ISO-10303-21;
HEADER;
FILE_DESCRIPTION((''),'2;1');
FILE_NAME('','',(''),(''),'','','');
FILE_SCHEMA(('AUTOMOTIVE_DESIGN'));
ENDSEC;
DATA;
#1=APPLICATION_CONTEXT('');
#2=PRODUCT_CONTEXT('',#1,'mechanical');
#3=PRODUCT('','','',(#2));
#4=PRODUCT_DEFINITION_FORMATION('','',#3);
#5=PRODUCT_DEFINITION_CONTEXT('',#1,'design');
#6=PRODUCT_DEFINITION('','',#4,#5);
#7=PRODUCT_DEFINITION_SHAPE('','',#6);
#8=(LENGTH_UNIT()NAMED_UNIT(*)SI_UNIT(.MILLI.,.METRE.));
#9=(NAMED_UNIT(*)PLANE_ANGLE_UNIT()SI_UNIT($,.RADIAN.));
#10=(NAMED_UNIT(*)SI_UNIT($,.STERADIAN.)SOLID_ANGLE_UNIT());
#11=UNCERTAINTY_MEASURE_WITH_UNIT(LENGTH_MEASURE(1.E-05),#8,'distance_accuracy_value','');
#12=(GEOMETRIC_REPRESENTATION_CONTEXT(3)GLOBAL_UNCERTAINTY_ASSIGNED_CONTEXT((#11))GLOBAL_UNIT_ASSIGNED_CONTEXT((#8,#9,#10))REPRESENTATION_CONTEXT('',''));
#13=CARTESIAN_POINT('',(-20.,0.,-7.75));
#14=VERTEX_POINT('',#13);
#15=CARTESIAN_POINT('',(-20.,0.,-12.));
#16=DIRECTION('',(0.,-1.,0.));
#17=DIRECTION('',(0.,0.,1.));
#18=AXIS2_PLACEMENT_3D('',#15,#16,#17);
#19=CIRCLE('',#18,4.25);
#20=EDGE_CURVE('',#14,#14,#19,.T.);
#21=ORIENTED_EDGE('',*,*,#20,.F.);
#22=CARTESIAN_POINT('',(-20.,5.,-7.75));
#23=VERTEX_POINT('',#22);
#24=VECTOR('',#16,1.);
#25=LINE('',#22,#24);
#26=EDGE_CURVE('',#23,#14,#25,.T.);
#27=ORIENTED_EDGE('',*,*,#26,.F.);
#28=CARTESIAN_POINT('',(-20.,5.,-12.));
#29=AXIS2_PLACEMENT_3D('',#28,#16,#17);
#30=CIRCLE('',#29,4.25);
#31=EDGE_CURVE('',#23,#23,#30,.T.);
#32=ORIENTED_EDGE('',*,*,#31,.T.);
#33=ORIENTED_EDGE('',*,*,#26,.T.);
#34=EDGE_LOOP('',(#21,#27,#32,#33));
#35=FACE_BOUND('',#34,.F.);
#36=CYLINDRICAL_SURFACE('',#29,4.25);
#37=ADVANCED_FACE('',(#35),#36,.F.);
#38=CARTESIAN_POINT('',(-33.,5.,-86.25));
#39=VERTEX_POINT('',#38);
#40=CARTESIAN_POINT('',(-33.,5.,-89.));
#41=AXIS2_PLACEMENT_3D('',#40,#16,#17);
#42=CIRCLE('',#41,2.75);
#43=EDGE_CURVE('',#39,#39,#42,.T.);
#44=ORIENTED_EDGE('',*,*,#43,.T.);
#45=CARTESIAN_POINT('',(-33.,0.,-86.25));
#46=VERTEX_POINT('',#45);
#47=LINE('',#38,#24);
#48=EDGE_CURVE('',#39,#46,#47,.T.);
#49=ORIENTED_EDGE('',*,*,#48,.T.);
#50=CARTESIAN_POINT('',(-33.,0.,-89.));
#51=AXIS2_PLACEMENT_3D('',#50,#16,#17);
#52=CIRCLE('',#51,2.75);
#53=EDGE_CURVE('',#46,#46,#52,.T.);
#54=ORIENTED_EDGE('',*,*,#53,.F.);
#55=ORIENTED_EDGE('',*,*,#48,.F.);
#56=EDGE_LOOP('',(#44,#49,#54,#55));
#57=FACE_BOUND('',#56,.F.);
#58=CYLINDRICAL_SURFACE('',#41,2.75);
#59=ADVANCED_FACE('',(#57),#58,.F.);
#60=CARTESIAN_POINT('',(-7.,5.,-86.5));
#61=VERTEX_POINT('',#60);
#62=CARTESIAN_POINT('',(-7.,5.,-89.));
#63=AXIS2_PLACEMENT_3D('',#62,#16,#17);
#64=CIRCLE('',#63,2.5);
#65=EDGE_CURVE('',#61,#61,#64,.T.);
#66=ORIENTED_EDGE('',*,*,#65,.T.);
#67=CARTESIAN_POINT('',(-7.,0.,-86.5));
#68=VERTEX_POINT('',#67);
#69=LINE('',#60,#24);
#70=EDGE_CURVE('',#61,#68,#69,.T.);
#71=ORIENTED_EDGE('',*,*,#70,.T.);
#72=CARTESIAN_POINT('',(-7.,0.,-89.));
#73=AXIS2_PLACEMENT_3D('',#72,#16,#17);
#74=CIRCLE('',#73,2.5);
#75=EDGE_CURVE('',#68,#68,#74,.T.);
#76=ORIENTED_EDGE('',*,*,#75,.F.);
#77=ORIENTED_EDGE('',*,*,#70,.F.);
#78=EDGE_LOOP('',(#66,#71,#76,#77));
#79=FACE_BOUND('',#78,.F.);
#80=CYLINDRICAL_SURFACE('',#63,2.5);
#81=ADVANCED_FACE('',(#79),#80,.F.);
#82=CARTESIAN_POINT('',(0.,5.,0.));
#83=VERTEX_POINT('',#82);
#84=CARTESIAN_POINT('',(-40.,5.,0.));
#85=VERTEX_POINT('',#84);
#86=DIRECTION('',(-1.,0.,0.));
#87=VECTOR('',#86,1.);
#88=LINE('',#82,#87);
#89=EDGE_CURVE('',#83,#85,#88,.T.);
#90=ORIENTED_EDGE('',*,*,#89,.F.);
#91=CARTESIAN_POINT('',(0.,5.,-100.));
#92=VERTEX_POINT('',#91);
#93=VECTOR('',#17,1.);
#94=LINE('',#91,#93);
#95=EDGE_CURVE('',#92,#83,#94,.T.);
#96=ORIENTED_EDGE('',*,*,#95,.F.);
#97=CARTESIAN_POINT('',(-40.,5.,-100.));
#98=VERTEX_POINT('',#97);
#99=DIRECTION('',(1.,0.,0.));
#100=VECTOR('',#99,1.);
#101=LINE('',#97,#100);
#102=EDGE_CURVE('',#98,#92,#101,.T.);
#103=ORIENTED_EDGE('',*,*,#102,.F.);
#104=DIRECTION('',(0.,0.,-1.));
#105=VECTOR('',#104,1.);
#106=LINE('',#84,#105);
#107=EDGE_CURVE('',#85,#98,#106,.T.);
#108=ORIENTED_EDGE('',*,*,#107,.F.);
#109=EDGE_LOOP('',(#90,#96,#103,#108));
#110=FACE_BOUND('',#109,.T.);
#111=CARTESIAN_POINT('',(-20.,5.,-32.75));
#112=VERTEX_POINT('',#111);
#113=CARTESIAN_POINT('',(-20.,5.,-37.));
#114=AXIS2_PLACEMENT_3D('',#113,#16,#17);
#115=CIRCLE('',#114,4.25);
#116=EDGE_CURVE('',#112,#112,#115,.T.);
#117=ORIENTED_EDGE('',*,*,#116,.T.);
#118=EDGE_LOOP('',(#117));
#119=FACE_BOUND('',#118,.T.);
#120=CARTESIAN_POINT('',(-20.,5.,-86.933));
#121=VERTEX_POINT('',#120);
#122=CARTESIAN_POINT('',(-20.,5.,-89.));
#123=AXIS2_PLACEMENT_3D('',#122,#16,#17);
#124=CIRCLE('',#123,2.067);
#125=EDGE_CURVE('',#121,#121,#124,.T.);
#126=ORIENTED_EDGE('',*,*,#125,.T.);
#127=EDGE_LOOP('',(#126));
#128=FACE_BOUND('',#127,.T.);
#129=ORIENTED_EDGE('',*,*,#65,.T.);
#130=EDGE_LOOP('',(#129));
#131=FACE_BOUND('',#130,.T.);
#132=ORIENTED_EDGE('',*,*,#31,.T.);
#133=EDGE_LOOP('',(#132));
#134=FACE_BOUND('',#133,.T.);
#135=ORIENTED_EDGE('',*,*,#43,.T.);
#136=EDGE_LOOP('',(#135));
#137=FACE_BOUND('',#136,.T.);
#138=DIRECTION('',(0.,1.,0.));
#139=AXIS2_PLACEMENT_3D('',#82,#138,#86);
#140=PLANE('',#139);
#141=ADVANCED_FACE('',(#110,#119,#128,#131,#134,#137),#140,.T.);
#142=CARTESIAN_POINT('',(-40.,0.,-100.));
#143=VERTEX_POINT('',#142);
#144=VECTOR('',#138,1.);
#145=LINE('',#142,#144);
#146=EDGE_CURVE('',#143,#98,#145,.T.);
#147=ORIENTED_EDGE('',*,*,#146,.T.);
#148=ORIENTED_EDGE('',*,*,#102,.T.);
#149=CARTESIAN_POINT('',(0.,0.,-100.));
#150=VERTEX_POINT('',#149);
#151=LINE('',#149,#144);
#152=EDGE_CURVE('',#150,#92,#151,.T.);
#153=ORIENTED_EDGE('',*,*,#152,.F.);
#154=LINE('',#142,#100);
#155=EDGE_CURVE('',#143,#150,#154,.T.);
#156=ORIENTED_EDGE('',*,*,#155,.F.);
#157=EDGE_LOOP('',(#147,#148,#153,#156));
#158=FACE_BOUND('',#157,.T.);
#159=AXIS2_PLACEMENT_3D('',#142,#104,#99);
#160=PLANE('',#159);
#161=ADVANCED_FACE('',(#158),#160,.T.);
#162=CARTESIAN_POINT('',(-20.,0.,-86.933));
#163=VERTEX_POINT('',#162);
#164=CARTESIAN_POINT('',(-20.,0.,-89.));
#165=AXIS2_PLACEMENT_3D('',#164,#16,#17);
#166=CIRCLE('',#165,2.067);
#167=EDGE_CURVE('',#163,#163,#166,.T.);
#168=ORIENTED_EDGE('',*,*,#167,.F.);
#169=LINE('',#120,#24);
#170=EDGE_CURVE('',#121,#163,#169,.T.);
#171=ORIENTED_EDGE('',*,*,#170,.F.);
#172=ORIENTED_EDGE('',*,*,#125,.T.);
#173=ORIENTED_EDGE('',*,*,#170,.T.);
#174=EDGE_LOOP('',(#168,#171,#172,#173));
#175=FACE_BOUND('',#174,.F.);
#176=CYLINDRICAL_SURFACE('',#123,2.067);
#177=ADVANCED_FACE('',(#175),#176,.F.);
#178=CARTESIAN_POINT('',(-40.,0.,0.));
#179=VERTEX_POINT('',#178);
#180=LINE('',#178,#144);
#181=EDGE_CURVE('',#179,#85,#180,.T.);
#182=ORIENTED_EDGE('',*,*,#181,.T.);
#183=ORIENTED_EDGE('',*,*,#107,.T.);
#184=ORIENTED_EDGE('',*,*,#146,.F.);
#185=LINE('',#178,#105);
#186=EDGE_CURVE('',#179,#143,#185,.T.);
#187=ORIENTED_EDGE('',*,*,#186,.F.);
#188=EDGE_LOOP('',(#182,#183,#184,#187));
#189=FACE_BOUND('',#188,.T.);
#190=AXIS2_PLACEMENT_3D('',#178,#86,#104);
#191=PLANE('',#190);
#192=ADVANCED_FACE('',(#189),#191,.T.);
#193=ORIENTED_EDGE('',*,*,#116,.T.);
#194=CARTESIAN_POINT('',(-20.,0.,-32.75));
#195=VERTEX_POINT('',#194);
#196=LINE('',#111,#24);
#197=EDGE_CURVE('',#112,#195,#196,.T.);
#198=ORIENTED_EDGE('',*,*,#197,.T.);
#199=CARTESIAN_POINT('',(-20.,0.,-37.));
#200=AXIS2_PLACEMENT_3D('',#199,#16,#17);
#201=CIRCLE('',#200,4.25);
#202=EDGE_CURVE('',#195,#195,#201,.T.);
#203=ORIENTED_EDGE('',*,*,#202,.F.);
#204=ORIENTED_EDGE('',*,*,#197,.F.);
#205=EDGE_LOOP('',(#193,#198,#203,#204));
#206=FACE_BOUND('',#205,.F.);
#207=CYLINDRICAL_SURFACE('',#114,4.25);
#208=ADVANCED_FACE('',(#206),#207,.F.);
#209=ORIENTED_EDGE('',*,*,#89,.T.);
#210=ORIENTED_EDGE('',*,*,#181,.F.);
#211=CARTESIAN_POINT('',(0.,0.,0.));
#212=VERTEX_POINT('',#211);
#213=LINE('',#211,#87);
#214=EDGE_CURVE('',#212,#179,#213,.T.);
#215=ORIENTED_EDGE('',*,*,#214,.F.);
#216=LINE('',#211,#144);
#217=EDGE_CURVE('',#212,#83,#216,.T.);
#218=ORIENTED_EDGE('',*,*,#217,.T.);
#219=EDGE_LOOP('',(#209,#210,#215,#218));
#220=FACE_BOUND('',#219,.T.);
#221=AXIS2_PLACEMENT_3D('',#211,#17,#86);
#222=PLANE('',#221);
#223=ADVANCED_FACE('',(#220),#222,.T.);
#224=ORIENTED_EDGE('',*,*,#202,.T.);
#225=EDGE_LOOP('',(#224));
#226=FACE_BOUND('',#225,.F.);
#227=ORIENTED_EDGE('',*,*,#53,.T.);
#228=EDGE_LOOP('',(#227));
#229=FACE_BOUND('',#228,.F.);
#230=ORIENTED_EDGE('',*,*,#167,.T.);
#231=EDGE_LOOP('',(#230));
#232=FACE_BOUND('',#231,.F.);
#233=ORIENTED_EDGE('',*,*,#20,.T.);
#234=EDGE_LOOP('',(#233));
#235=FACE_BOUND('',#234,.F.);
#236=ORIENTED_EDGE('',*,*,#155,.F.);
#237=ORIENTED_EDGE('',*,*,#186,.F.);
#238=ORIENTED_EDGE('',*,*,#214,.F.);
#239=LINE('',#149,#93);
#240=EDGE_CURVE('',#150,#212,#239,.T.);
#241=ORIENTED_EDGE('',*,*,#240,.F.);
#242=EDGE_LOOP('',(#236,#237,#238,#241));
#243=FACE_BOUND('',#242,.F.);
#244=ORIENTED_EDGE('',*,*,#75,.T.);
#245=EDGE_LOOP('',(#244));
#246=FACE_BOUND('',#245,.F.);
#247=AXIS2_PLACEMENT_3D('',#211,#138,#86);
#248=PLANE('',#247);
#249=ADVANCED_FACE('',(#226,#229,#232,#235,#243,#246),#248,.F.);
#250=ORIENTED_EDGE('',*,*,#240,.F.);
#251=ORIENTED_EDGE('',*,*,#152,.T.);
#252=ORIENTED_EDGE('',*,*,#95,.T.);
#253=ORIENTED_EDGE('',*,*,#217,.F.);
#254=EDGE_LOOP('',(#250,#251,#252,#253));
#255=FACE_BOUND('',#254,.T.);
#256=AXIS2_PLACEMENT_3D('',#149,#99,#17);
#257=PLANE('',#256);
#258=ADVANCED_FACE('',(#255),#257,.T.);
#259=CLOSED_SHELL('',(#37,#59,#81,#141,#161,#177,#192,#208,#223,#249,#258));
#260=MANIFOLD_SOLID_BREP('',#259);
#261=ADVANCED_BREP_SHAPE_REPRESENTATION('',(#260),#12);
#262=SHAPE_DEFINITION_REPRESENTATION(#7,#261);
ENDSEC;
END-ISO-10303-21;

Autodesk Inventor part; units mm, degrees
ref_plane "YZ Plane" through (0, 0, 0) normal (1, 0, 0) x (0, 1, 0)
ref_plane "XZ Plane" through (0, 0, 0) normal (0, 1, 0) x (-1, 0, 0)
ref_plane "XY Plane" through (0, 0, 0) normal (0, 0, 1) x (1, 0, 0)
sketch "Sketch1" plane through (0, 0, 0) normal (0, 1, 0) x (-1, 0, 0)
  line L0 (0, 0) -> (40, 0)
  line L1 (40, 0) -> (40, -100)
  line L2 (40, -100) -> (0, -100)
  line L3 (0, -100) -> (0, 0)
  dimension "d0" = 100
  dimension "d1" = 40
extrude "Extrusion1" add sketch "Sketch1" along normal blind 5
sketch "Sketch2" plane through (0, 5, 0) normal (0, 1, 0) x (1, 0, 0)
  line L0 (-40, 100) -> (-40, 0) projected
  line L1 (-40, 89) -> (0, 89) construction
  line L2 (0, 0) -> (0, 100) projected
  line L3 (0, 100) -> (-40, 100) projected
  point P0 (-33, 89)
  point P1 (-20, 89)
  point P2 (-7, 89)
  dimension "d4" = 7
  dimension "d5" = 7
  dimension "d6" = 13
  dimension "d7" = 13
  dimension "d8" = 11
hole "Hole1" at (-33, 5, -89) direction (0, -1, 0) diameter 5.5 end through all
hole "Hole2" at (-20, 5, -89) direction (0, -1, 0) diameter 4.134 end through all thread size "M5x0.8" class "6H" standard "ISO Metric profile"
sketch "Sketch3" plane through (0, 5, 0) normal (0, 1, 0) x (1, 0, 0)
  line L0 (0, 0) -> (0, 100) projected
  line L1 (-40, 0) -> (0, 0) projected
  point P0 (-20, 12)
  point P1 (-20, 37)
  dimension "d23" = 20
  dimension "d24" = 20
  dimension "d25" = 25
  dimension "d26" = 12
hole "Hole3" at (-20, 5, -12) at (-20, 5, -37) direction (0, -1, 0) diameter 8.5 end through all
hole "Hole4" at (-7, 5, -89) direction (0, -1, 0) diameter 5 end through all
equation "\"d4\" = d5"
equation "\"d6\" = d7"
equation "\"d24\" = d23"
properties part number "ER_Verbindungsplatte_Verschraubeinheit"
